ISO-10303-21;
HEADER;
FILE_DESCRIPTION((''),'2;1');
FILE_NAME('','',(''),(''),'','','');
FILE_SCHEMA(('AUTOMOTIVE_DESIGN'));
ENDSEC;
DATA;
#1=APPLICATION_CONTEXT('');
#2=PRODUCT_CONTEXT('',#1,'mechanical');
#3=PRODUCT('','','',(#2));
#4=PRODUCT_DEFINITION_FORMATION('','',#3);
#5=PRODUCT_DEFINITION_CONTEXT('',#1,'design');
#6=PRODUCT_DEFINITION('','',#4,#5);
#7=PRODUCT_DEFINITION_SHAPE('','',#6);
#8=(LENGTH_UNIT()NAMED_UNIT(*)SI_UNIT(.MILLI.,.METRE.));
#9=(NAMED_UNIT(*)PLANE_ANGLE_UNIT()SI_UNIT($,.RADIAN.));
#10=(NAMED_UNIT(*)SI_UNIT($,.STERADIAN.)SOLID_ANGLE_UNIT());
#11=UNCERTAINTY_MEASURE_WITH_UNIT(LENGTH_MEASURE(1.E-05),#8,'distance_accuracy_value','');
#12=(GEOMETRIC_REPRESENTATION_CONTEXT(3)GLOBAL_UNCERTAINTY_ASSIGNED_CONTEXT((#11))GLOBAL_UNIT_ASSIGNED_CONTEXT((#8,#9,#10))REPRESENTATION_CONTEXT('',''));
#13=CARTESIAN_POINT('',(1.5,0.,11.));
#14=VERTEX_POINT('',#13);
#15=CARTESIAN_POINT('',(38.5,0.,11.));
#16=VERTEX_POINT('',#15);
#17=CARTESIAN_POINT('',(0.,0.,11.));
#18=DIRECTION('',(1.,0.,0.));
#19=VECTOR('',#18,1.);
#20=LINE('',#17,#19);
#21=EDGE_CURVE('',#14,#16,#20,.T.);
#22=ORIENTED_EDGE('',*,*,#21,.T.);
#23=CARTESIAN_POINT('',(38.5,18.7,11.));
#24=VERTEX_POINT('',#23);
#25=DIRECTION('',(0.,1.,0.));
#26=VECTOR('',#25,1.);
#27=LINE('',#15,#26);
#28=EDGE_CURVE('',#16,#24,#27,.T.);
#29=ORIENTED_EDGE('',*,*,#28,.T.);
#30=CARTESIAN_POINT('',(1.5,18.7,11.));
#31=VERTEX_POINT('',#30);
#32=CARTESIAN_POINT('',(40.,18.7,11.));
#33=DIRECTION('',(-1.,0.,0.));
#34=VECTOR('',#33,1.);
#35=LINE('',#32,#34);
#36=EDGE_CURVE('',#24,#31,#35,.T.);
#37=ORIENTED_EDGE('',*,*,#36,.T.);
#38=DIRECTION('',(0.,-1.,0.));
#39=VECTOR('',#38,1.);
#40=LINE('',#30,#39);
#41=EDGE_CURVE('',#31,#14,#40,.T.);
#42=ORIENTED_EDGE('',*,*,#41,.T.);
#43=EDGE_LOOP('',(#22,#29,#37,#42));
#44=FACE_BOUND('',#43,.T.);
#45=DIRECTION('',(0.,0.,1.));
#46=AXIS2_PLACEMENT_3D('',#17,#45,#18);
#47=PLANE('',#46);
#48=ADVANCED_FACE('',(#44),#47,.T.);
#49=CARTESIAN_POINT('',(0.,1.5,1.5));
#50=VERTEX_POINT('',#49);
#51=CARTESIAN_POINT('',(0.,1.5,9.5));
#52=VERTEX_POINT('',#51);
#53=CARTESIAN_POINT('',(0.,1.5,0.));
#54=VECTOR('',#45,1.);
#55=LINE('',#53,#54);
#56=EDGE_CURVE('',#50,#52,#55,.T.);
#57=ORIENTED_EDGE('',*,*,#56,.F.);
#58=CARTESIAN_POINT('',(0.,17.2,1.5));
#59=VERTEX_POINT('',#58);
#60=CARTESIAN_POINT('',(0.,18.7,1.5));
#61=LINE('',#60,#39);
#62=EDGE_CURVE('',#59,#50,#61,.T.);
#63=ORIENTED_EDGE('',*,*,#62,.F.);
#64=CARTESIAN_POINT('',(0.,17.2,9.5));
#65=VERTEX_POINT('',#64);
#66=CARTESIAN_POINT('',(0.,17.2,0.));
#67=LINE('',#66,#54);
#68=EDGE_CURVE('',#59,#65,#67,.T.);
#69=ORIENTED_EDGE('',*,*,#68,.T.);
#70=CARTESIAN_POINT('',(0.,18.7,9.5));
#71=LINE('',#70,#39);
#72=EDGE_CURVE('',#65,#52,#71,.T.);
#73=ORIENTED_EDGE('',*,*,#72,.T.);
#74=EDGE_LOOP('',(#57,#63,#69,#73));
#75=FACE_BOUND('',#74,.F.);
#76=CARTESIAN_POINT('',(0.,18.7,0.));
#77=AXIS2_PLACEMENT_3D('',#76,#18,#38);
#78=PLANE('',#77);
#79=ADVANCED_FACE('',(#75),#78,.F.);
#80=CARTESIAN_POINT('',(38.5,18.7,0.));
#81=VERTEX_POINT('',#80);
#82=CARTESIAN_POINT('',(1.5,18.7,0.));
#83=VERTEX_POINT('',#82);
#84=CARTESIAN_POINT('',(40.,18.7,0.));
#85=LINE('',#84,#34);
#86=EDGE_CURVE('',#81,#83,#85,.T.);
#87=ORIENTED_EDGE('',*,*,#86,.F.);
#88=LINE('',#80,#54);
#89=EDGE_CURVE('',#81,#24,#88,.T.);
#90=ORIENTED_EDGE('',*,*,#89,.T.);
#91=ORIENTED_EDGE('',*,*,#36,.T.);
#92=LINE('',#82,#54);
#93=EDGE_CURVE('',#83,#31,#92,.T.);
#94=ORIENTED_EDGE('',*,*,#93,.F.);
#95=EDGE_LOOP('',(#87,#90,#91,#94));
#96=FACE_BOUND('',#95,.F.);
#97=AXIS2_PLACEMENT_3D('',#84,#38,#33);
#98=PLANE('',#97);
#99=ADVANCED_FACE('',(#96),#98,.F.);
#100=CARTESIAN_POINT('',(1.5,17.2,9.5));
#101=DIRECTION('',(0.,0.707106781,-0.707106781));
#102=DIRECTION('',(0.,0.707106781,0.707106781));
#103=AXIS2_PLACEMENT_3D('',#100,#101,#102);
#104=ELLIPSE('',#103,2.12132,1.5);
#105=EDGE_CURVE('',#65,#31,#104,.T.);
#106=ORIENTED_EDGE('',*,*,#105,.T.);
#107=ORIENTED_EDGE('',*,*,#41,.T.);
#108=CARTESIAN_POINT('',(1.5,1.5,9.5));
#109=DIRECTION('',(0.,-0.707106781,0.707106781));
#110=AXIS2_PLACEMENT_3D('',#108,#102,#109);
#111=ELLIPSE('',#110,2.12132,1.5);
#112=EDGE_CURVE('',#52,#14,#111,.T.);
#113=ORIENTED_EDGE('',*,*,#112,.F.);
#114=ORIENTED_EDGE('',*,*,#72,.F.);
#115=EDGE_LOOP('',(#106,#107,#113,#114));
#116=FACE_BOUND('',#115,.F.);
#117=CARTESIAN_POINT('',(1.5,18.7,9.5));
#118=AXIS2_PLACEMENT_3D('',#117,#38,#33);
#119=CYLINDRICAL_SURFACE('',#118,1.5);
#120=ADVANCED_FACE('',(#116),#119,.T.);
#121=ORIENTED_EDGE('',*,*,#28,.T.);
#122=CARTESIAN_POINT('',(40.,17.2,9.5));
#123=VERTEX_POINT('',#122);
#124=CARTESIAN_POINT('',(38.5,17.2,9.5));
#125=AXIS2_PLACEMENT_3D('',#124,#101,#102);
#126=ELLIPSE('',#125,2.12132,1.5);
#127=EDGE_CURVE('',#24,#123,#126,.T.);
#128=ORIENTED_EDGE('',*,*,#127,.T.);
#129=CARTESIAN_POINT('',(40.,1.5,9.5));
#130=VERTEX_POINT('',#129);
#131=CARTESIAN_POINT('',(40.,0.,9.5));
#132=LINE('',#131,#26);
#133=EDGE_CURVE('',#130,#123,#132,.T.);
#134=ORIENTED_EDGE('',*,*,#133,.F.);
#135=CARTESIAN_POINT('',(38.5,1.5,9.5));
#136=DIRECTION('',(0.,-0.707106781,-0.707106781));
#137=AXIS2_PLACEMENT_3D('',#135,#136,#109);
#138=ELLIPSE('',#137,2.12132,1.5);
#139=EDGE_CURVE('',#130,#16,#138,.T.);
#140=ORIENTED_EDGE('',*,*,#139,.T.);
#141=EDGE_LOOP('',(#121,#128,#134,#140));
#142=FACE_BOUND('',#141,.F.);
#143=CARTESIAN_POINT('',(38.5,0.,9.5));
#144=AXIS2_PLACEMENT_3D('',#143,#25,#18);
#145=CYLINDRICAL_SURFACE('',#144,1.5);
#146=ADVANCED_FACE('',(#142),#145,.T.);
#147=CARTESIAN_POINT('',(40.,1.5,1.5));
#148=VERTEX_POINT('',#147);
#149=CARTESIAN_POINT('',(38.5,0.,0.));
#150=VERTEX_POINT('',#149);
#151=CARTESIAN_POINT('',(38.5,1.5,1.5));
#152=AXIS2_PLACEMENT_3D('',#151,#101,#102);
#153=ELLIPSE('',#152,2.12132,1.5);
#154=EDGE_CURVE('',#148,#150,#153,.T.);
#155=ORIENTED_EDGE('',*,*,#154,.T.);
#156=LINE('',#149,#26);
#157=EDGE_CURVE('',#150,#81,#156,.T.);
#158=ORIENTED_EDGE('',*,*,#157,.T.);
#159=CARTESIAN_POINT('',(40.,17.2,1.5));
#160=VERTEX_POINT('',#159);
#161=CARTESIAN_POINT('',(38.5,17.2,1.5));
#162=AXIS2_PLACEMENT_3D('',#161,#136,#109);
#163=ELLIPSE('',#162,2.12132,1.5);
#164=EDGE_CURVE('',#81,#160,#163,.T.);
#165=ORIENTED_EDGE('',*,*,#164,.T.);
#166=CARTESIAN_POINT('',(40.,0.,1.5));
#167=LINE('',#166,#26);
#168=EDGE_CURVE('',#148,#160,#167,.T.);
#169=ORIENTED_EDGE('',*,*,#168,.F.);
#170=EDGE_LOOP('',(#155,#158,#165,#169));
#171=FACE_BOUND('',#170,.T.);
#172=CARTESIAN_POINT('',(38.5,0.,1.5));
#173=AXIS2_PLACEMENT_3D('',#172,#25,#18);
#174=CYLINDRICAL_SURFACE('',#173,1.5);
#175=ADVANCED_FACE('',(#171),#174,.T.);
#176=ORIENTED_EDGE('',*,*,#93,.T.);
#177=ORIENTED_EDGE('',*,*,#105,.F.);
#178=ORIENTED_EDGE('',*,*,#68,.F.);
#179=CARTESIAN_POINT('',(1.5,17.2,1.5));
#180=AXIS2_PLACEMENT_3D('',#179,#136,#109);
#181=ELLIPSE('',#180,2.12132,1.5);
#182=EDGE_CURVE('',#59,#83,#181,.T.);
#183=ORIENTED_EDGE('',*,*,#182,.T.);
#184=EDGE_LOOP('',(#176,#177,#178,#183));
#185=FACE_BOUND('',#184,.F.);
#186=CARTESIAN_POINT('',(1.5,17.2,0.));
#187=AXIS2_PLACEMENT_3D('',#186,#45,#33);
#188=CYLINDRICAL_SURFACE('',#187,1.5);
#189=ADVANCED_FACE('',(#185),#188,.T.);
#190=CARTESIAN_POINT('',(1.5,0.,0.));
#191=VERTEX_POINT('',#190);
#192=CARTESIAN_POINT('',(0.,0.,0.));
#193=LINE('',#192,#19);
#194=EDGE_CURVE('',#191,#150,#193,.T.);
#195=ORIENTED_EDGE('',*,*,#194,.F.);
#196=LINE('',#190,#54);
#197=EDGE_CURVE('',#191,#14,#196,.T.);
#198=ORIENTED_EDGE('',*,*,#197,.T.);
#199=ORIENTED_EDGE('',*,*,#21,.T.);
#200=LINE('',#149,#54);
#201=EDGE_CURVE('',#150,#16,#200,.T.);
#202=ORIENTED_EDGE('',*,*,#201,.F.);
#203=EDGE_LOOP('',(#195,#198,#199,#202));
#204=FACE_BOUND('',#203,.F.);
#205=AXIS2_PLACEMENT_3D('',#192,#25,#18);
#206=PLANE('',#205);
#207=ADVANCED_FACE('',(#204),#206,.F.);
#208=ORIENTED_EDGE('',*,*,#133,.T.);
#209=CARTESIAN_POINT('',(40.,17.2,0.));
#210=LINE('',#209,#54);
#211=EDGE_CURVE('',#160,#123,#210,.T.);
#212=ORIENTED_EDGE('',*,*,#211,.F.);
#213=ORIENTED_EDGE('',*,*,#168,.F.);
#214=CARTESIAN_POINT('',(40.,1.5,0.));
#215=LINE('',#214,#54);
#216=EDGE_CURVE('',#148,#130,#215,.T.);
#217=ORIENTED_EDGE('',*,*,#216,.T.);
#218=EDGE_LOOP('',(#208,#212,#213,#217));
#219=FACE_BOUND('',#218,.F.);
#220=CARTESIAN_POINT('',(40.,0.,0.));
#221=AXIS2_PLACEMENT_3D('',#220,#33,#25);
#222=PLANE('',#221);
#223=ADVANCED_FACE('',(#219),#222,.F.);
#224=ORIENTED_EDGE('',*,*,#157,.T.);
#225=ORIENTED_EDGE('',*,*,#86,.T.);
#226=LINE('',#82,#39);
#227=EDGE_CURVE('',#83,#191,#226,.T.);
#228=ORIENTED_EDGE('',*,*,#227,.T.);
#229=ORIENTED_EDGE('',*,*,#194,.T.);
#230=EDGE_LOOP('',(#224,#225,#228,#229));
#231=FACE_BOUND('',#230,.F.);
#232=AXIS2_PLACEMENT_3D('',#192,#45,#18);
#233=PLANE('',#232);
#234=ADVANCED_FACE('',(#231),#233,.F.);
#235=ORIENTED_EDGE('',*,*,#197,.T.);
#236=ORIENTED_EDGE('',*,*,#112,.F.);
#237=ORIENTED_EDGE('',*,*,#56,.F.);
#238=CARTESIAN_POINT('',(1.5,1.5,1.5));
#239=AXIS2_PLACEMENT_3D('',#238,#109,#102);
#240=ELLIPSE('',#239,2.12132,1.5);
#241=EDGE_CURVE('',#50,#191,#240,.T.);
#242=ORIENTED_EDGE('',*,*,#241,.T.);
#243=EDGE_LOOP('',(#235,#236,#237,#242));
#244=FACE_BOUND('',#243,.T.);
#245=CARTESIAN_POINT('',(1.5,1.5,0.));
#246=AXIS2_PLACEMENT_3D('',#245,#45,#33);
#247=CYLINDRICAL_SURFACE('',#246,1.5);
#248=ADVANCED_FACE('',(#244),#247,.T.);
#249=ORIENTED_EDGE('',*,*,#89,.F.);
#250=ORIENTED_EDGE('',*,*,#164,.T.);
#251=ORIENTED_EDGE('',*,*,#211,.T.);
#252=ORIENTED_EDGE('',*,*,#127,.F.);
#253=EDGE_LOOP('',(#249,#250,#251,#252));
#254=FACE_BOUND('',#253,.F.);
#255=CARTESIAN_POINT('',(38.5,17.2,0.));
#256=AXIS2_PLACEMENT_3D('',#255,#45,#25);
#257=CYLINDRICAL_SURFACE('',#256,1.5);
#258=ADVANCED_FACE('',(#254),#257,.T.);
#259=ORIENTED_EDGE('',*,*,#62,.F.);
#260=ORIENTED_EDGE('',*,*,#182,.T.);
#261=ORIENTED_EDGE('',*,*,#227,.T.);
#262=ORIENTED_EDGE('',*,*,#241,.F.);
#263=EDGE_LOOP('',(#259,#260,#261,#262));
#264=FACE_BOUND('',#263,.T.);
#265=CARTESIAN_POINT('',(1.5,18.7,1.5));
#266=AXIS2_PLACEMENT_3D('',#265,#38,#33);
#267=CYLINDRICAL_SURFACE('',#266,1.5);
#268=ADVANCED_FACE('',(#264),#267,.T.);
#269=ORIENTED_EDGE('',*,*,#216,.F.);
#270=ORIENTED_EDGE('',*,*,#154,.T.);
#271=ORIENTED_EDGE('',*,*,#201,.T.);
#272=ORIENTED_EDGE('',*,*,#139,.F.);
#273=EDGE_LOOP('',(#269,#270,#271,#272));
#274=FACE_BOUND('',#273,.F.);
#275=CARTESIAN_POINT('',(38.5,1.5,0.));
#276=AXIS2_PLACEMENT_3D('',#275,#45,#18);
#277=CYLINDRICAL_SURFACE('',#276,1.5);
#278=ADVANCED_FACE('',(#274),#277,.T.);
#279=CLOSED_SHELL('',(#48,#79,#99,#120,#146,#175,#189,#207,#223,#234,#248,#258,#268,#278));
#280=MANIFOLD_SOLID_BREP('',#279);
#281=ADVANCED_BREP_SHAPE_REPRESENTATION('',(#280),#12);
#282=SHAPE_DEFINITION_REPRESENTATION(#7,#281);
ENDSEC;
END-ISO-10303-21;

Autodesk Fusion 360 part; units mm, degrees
sketch "Sketch1" plane through (0, 0, 0) normal (0, 0, 1) x (1, 0, 0)
  line L0 (0, 0) -> (40, 0)
  line L1 (40, 0) -> (40, 18.7)
  line L2 (40, 18.7) -> (0, 18.7)
  line L3 (0, 18.7) -> (0, 0)
  dimension "d1" = 18.7
extrude "Extrude1" add sketch "Sketch1" along normal blind 11
fillet "Fillet1" radius 1.5 2 faces at (40, 6.2333, 7.3333) (0, 12.4667, 7.3333)
